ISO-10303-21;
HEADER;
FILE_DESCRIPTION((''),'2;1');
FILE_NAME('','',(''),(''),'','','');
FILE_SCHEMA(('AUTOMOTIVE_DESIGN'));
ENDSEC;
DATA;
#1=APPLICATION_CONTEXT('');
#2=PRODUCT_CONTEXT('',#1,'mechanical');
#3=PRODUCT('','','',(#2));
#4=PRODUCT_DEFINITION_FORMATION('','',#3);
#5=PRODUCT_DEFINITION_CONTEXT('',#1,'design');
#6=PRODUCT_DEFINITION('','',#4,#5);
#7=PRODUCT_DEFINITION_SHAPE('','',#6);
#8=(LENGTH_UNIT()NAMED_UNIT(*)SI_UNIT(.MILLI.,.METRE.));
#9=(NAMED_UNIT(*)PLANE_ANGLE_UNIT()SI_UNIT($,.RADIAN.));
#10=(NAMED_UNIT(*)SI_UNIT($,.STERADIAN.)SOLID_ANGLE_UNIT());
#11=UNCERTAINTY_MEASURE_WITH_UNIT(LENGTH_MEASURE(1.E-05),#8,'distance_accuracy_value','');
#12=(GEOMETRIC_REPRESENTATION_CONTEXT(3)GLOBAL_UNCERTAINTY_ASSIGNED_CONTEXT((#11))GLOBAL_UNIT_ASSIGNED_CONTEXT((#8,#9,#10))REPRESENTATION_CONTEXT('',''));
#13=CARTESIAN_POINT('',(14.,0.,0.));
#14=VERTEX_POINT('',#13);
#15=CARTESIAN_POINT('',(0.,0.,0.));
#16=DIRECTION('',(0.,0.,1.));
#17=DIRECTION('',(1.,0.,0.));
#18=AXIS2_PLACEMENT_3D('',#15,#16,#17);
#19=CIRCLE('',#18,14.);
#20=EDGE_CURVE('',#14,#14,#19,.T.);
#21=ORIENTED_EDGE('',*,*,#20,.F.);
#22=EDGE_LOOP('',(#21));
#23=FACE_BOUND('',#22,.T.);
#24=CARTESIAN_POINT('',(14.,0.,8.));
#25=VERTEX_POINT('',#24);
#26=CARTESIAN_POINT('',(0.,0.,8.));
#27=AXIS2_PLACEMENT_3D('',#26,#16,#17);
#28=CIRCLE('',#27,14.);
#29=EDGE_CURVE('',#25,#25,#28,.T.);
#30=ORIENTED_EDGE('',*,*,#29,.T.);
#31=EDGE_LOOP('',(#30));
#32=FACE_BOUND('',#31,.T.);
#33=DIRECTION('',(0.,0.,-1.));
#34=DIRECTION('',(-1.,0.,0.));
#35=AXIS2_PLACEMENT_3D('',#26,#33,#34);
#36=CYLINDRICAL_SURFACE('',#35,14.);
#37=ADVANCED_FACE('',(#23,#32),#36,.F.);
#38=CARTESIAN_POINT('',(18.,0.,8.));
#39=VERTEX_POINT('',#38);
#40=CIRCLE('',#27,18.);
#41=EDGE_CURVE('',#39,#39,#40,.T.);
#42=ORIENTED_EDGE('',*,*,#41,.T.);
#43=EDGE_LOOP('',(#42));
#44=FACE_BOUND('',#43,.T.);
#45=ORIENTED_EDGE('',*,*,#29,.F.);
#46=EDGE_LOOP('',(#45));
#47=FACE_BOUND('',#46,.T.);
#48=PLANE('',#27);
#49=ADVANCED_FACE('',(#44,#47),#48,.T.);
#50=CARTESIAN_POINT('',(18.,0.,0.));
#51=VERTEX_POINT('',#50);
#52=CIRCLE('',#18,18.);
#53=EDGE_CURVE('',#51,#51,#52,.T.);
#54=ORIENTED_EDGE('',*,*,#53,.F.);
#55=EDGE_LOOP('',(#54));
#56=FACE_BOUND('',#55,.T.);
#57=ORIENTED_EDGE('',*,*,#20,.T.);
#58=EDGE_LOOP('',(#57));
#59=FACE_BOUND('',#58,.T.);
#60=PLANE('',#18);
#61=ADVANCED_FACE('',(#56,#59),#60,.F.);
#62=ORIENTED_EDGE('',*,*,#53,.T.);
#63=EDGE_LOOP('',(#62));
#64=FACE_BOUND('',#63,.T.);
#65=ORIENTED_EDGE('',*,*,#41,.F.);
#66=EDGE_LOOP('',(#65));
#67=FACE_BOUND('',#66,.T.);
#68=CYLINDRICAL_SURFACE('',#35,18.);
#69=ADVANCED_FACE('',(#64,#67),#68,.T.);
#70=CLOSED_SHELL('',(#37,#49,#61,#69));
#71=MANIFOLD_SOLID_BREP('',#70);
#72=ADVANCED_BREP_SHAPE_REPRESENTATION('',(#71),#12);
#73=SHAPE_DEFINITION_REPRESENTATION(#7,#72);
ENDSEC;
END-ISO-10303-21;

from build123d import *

# Parameters (mm, degrees)
SKETCH_1_R      = 18
SKETCH_1_R_2    = 14
EXTRUDE_1_DEPTH = 8


with BuildPart() as part:
    # Эскиз1 → Бобышка-Вытянуть1 (new body)
    with BuildSketch(Plane.XY):
        Circle(SKETCH_1_R)
        Circle(SKETCH_1_R_2, mode=Mode.SUBTRACT)
    extrude(amount=EXTRUDE_1_DEPTH)


solid = part.part
